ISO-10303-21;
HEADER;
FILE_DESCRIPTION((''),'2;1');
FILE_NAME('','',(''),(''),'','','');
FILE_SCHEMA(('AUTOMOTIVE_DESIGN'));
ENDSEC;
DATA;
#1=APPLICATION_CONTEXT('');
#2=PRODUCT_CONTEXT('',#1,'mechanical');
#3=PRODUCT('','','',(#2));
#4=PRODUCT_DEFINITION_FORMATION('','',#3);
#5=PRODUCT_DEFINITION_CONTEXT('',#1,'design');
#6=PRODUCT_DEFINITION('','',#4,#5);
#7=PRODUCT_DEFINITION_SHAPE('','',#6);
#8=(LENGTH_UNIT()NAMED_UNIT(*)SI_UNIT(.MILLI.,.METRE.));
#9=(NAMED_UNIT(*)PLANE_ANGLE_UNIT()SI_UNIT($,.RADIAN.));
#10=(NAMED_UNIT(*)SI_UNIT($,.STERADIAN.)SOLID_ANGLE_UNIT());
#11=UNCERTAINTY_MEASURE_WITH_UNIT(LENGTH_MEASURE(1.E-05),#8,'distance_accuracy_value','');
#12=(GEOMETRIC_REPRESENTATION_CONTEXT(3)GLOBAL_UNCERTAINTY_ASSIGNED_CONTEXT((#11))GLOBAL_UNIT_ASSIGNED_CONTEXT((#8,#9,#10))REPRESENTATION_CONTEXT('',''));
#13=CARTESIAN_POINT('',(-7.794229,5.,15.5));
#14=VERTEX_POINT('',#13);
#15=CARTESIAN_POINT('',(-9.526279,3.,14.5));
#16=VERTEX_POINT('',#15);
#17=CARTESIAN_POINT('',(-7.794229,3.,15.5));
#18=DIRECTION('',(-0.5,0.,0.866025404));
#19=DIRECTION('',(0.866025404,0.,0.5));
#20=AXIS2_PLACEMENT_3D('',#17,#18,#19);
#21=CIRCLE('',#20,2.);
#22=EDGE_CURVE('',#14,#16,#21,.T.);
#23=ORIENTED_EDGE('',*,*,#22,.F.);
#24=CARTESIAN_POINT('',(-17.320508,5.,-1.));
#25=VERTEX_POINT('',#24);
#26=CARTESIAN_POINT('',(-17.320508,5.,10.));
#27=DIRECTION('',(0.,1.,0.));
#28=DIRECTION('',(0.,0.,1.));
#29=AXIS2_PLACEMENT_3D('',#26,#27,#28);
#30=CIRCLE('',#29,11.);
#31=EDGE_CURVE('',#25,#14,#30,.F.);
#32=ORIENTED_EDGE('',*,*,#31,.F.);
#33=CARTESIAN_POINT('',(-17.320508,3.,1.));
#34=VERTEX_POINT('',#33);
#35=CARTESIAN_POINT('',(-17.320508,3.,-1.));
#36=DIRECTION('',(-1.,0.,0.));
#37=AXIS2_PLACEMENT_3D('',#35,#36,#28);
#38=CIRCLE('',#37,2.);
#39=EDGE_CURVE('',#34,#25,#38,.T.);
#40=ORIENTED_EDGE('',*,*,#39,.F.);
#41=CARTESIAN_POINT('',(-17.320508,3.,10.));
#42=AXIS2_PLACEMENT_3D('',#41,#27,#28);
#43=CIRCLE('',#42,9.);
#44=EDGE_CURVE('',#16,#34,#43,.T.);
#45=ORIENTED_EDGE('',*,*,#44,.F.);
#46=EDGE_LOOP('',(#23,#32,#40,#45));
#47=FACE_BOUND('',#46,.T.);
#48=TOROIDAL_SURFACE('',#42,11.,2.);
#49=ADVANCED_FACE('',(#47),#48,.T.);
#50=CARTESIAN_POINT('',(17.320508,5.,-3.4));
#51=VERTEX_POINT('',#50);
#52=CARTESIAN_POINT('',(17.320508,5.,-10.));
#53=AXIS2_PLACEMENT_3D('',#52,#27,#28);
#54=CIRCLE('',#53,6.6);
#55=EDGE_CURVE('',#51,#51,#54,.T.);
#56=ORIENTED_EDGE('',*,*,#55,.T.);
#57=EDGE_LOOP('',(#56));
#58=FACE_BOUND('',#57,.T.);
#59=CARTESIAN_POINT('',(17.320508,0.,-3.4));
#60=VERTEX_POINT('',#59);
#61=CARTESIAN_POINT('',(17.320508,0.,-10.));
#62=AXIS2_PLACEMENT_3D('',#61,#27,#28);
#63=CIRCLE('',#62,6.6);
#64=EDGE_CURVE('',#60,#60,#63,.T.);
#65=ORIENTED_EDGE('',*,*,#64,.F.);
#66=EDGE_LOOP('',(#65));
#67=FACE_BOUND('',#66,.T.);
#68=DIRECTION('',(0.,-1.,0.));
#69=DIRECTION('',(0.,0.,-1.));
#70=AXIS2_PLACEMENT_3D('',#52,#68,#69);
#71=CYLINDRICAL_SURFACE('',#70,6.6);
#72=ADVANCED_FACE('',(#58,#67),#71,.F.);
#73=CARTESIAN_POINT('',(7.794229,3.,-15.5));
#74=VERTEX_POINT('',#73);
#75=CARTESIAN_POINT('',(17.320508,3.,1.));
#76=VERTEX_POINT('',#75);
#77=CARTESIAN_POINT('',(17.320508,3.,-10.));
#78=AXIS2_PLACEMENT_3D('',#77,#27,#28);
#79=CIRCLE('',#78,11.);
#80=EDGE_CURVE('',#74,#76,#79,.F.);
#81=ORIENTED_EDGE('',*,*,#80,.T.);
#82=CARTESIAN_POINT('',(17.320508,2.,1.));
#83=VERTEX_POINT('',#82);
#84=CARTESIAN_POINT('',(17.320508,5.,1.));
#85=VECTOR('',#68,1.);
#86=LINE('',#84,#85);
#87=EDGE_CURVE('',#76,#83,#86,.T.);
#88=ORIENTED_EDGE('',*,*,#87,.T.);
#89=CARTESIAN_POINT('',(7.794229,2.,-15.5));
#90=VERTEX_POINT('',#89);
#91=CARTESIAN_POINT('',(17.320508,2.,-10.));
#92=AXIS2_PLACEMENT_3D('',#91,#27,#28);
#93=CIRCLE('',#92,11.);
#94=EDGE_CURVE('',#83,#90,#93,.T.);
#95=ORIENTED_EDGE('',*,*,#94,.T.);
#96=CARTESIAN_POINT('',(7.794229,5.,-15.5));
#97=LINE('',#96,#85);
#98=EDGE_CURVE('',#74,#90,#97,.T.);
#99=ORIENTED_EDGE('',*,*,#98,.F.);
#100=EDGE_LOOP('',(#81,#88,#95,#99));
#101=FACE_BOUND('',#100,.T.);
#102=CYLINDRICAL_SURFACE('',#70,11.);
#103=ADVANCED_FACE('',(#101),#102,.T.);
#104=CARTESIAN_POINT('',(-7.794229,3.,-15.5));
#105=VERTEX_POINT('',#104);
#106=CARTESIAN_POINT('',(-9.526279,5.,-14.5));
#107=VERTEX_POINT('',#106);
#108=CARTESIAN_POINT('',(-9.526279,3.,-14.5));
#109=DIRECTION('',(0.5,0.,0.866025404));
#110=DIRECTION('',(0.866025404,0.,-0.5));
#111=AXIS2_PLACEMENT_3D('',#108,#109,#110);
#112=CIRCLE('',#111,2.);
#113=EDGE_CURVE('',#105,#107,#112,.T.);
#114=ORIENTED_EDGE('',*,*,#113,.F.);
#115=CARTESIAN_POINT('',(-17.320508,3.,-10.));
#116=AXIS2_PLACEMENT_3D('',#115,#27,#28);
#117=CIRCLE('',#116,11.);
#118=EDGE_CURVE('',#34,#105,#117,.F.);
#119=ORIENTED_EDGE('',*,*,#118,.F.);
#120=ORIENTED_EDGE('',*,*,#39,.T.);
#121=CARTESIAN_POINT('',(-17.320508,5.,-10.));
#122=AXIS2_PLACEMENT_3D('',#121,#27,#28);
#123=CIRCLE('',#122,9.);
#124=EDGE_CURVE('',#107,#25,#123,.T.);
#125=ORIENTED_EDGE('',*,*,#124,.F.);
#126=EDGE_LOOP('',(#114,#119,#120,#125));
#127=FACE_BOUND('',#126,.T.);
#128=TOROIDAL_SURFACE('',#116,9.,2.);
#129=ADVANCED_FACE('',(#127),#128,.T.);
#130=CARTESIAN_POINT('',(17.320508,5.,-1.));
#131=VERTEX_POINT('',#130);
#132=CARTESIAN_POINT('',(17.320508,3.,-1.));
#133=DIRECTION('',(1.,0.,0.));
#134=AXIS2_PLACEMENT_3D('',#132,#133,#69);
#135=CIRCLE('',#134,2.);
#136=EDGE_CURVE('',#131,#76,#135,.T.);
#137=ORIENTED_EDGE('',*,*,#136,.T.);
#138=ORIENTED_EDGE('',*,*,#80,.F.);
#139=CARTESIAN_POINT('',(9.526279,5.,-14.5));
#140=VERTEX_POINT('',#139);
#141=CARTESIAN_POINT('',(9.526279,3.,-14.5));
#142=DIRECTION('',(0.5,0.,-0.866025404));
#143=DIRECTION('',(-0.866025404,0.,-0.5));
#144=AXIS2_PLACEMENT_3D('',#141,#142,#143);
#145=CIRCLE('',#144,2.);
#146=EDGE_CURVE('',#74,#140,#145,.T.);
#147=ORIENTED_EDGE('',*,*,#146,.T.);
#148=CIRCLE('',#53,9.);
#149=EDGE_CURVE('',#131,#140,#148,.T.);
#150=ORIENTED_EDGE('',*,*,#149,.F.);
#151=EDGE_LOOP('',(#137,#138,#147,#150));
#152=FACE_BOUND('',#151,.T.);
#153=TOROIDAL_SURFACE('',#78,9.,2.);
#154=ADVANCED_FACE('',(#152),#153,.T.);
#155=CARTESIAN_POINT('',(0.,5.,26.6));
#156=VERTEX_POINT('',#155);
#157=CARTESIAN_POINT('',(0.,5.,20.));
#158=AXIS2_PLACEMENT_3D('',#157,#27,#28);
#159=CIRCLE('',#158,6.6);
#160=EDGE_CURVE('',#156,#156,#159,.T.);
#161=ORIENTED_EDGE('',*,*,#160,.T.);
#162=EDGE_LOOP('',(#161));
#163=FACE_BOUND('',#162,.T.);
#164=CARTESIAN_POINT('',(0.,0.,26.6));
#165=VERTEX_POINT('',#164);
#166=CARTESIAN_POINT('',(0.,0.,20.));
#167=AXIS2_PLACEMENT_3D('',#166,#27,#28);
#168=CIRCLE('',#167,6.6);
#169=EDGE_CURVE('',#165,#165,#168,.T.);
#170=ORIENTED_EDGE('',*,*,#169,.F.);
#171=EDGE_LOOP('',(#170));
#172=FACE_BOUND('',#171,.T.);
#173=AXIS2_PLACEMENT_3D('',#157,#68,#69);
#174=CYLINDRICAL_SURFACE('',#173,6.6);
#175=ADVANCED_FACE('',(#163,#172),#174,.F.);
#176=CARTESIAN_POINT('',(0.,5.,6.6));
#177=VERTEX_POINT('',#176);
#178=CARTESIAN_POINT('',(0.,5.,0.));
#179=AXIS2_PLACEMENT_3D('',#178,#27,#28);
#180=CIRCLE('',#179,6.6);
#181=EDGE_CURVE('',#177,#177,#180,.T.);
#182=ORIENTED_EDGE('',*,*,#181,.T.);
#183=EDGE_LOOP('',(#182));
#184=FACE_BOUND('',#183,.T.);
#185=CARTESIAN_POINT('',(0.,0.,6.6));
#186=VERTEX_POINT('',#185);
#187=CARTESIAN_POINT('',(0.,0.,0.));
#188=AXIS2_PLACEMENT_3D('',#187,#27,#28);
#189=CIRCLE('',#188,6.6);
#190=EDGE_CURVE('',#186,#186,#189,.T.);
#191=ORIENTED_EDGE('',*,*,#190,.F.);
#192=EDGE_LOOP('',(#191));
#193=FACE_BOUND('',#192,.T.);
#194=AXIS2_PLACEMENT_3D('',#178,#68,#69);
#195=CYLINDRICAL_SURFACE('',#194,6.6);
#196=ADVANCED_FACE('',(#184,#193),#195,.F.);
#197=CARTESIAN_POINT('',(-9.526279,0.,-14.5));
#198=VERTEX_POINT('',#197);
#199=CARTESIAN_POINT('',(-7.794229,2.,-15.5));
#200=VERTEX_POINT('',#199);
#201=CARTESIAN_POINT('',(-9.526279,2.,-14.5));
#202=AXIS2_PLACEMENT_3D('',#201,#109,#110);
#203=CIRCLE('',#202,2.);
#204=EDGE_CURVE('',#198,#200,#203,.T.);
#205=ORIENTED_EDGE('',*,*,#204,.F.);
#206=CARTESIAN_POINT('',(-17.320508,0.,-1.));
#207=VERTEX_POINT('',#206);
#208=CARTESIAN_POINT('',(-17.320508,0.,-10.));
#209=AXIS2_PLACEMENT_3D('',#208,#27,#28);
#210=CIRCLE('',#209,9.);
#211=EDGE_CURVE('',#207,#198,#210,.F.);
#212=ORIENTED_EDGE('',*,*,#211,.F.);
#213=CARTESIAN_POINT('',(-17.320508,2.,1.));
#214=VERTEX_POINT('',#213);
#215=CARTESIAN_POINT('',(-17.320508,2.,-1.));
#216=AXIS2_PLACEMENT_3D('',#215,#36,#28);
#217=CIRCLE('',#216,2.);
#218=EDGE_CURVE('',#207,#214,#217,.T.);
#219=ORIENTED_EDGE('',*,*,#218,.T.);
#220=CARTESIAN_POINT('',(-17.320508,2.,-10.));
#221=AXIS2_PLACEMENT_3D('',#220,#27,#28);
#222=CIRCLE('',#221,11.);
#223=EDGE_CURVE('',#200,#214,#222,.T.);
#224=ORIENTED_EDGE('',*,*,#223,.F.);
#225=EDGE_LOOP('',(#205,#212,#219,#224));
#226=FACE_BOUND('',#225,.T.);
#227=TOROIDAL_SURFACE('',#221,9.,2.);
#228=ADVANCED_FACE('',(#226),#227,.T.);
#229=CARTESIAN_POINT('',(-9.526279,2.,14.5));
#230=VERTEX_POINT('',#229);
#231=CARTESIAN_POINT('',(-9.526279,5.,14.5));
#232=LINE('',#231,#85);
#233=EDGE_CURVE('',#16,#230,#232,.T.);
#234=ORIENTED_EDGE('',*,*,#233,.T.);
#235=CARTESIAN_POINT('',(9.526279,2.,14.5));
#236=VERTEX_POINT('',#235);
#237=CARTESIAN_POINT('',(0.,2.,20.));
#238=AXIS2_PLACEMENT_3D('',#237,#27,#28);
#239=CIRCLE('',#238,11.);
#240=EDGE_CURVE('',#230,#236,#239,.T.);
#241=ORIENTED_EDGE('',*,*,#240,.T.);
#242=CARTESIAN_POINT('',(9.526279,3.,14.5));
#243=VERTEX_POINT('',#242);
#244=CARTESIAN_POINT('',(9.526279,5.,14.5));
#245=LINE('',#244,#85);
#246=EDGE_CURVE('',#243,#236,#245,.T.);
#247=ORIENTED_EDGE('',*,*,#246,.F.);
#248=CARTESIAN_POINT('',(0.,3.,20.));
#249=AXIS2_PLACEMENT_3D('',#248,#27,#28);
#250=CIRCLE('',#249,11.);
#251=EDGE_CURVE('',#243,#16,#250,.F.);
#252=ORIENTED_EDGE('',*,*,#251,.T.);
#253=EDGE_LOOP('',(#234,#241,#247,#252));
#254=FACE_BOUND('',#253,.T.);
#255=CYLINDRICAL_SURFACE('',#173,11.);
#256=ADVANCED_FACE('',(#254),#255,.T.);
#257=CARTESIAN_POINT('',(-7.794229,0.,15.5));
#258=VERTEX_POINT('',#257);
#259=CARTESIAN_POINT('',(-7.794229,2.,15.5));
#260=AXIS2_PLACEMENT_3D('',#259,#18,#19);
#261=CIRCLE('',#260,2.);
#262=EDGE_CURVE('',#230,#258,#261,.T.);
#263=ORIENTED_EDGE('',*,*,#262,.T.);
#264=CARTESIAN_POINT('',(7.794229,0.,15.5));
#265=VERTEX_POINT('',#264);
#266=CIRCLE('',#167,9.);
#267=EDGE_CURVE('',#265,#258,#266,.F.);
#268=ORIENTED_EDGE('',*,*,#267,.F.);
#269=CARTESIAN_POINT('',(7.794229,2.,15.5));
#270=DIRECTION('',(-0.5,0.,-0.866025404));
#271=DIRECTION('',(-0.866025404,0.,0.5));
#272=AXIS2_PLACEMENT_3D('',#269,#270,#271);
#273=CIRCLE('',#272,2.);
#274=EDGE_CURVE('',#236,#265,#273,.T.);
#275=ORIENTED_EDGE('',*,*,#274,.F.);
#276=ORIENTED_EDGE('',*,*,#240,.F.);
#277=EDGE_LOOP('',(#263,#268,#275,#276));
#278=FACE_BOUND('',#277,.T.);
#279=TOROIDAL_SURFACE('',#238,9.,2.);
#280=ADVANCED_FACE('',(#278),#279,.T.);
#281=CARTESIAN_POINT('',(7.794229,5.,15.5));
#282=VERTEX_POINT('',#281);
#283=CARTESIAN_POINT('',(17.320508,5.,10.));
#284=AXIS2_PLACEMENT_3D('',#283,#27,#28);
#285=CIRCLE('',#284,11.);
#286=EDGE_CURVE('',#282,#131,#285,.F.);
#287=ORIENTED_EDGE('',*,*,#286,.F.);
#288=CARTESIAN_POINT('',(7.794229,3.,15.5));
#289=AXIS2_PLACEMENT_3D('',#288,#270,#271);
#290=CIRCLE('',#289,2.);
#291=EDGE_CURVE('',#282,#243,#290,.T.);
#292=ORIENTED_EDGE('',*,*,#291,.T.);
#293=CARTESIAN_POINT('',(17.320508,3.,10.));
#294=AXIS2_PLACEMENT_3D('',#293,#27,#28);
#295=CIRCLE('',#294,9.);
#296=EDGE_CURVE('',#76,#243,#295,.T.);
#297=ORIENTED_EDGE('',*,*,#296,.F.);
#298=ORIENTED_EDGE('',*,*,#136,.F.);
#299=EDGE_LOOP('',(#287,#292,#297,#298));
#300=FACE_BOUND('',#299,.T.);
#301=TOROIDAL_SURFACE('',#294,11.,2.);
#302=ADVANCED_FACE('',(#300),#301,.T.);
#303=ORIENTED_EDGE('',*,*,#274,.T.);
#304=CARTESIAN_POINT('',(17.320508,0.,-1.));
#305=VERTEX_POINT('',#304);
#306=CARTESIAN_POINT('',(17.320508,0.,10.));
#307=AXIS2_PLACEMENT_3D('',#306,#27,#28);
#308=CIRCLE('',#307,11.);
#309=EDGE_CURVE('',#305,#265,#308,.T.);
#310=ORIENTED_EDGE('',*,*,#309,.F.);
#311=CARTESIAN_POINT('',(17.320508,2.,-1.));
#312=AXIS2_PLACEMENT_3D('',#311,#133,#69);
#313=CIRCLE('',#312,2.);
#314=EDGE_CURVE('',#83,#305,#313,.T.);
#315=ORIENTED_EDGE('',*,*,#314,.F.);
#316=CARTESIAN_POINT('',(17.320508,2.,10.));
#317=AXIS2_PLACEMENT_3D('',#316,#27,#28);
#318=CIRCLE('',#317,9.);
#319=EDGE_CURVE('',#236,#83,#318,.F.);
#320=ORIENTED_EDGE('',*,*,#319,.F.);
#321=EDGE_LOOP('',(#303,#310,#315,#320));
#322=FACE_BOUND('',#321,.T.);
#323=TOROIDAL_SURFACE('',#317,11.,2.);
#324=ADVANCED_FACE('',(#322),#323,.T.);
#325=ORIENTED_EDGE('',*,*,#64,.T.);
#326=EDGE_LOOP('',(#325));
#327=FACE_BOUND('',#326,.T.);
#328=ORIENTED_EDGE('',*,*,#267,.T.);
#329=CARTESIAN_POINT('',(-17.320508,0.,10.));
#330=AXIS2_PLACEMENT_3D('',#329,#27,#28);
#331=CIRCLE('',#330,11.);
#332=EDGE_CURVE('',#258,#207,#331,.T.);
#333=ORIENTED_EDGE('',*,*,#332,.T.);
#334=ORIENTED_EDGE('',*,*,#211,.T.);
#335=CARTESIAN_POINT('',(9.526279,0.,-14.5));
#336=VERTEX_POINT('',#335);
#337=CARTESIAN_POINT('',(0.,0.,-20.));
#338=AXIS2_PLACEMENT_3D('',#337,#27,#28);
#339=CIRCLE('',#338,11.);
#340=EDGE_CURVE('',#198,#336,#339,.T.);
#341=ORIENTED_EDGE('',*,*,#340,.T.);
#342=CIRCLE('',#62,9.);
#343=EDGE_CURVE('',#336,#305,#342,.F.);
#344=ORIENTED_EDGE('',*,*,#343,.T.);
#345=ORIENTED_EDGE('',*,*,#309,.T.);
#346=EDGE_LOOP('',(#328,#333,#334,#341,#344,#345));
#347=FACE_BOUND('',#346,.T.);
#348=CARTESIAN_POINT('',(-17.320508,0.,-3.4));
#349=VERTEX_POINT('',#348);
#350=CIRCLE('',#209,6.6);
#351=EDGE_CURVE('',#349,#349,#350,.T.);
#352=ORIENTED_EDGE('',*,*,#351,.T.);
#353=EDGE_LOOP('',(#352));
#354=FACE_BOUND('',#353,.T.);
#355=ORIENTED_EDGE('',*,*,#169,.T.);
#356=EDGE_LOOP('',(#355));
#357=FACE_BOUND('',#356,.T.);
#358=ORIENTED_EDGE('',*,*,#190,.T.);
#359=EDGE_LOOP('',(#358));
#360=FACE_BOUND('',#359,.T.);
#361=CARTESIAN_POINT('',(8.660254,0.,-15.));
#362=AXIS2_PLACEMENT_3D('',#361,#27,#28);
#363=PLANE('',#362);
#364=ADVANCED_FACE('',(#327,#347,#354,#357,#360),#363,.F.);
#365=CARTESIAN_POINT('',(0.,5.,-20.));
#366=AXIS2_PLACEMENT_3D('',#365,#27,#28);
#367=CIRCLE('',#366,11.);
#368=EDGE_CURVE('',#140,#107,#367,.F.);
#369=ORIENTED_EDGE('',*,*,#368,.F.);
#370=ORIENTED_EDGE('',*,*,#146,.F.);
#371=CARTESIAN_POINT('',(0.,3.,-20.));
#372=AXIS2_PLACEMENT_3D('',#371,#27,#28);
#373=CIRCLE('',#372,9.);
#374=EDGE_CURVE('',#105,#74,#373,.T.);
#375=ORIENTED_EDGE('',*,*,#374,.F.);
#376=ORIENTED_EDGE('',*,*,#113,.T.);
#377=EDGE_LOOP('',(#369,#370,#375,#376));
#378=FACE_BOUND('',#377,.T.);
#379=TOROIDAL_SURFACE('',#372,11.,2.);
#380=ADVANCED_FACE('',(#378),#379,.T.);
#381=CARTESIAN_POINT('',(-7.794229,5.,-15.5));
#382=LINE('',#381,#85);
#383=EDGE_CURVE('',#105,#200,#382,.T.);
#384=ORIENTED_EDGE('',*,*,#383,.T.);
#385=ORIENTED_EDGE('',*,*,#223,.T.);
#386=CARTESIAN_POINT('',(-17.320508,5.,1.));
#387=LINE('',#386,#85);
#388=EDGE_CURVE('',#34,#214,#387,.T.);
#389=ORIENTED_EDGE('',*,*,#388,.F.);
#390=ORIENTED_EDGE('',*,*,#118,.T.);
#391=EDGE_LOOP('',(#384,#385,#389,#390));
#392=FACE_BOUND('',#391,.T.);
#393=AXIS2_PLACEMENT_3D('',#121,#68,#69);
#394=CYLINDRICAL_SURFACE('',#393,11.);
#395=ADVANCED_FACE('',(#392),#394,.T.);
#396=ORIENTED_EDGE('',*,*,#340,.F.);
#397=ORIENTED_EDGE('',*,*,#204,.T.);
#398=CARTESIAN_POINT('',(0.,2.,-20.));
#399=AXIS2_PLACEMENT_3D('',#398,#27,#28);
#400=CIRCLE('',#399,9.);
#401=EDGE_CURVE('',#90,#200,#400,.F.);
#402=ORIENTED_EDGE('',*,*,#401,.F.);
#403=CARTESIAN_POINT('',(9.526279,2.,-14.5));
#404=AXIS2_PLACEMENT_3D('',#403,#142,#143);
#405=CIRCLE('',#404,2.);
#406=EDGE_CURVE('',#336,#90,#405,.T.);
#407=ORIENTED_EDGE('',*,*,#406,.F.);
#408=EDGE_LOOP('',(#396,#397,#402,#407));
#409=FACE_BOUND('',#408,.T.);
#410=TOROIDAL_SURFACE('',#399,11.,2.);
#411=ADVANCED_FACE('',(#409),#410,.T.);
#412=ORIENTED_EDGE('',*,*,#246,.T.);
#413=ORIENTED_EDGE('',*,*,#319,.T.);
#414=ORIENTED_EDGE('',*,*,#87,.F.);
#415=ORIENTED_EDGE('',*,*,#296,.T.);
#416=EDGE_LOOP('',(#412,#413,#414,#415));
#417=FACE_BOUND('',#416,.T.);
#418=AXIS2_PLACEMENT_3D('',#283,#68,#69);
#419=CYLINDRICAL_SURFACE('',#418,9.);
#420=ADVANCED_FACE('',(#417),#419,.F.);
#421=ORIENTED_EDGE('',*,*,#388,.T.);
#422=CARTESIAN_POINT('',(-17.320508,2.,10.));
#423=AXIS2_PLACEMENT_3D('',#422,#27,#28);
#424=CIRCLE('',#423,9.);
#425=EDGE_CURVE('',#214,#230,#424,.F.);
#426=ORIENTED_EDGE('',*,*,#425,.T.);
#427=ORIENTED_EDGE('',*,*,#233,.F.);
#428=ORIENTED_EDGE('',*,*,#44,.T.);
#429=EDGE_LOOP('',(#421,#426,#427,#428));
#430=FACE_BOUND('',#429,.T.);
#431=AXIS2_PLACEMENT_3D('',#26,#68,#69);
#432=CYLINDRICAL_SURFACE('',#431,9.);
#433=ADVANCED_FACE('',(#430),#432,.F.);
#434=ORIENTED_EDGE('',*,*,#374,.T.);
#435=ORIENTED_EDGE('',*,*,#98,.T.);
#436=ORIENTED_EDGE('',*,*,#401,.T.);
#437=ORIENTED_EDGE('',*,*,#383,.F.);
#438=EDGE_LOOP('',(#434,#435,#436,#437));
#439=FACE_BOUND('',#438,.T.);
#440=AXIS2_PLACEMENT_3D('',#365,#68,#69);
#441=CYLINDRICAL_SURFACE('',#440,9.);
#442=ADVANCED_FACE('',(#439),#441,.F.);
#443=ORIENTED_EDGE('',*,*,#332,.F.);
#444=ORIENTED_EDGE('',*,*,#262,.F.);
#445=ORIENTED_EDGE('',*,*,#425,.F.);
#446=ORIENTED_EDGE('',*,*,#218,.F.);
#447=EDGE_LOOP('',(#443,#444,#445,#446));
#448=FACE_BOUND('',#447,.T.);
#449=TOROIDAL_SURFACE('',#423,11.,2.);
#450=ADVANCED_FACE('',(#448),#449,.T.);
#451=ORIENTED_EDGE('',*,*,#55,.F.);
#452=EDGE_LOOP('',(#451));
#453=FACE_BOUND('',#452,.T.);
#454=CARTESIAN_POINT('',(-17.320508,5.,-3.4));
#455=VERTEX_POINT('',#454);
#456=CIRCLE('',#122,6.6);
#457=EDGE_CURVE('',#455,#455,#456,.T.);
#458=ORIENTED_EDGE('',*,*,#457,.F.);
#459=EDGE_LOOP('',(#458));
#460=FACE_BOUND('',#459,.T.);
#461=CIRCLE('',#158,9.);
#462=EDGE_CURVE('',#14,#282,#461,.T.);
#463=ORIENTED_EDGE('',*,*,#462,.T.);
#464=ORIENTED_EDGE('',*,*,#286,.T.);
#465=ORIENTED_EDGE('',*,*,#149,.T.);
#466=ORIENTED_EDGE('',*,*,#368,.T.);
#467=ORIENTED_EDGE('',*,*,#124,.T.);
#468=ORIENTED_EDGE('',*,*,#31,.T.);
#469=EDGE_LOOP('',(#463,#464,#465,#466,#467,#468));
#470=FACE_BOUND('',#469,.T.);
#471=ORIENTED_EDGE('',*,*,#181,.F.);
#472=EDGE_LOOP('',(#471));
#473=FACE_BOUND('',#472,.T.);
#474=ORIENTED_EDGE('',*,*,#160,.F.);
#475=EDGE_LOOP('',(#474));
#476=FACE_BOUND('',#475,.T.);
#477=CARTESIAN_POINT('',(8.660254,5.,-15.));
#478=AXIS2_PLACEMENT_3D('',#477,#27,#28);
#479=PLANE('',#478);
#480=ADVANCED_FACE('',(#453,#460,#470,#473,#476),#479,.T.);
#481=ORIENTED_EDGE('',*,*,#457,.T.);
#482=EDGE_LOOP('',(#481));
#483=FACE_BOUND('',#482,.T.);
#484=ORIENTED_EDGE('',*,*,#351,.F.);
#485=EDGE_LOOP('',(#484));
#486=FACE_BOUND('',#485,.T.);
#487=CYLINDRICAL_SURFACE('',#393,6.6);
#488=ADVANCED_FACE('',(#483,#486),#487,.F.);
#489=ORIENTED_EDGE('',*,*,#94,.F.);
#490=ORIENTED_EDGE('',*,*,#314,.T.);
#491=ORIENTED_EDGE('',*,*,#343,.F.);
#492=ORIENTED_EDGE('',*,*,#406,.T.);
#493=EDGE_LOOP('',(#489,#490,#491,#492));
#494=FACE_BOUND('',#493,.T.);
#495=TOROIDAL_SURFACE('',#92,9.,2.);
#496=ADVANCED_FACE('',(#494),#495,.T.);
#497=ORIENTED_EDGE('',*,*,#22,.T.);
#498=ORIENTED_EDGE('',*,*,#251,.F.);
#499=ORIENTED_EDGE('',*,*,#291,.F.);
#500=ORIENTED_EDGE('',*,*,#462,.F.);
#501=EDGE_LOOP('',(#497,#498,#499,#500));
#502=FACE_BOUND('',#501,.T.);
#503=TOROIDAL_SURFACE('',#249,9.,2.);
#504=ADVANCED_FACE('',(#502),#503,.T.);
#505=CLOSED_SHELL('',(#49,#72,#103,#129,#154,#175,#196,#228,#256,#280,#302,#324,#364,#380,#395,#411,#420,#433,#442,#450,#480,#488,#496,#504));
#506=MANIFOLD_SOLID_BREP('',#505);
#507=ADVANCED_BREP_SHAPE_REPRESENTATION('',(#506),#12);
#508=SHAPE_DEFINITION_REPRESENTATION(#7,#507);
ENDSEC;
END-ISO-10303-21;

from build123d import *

# Parameters (mm, degrees)
CROQUIS1_R              = 6.6
SALIENTE_EXTRUIR1_DEPTH = 5
REDONDEO1_R             = 2


with BuildPart() as part:
    # Croquis1 → Saliente-Extruir1 (new body)
    with BuildSketch(Plane(origin=(0, 0, 0), x_dir=(1, 0, 0), z_dir=(0, 1, 0))):
        with BuildLine():
            ThreePointArc((17.320508076, -1), (26.846787517, 15.5), (7.794228634, 15.5))
            ThreePointArc((7.794228634, 15.5), (0, 11), (-7.794228634, 15.5))
            ThreePointArc((-7.794228634, 15.5), (-26.846787517, 15.5), (-17.320508076, -1))
            ThreePointArc((-17.320508076, -1), (-9.526279442, -5.5), (-9.526279442, -14.5))
            ThreePointArc((-9.526279442, -14.5), (0, -31), (9.526279442, -14.5))
            ThreePointArc((9.526279442, -14.5), (9.526279442, -5.5), (17.320508076, -1))
        make_face()
        with Locations(Location((0, 0, 0), (0, 0, 270))):
            Circle(CROQUIS1_R, mode=Mode.SUBTRACT)
        with Locations(Location((0, -20, 0), (0, 0, 270))):
            Circle(CROQUIS1_R, mode=Mode.SUBTRACT)
        with Locations(Location((17.320508076, 10, 0), (0, 0, 270))):
            Circle(CROQUIS1_R, mode=Mode.SUBTRACT)
        with Locations(Location((-17.320508076, 10, 0), (0, 0, 270))):
            Circle(CROQUIS1_R, mode=Mode.SUBTRACT)
    extrude(amount=SALIENTE_EXTRUIR1_DEPTH)

    # Redondeo1
    redondeo1_edges = [part.edges().sort_by_distance(p)[0] for p in [
        (-9.526279442, 5, 5.5),
        (0, 5, 31),
        (9.526279442, 5, 5.5),
        (26.846787517, 5, -15.5),
        (0, 5, -11),
        (26.846787517, 0, -15.5),
        (9.526279442, 0, 5.5),
        (0, 0, 31),
        (-26.846787517, 5, -15.5),
        (-9.526279442, 0, 5.5),
        (-26.846787517, 0, -15.5),
        (0, 0, -11),
    ]]
    fillet(redondeo1_edges, radius=REDONDEO1_R)


solid = part.part
